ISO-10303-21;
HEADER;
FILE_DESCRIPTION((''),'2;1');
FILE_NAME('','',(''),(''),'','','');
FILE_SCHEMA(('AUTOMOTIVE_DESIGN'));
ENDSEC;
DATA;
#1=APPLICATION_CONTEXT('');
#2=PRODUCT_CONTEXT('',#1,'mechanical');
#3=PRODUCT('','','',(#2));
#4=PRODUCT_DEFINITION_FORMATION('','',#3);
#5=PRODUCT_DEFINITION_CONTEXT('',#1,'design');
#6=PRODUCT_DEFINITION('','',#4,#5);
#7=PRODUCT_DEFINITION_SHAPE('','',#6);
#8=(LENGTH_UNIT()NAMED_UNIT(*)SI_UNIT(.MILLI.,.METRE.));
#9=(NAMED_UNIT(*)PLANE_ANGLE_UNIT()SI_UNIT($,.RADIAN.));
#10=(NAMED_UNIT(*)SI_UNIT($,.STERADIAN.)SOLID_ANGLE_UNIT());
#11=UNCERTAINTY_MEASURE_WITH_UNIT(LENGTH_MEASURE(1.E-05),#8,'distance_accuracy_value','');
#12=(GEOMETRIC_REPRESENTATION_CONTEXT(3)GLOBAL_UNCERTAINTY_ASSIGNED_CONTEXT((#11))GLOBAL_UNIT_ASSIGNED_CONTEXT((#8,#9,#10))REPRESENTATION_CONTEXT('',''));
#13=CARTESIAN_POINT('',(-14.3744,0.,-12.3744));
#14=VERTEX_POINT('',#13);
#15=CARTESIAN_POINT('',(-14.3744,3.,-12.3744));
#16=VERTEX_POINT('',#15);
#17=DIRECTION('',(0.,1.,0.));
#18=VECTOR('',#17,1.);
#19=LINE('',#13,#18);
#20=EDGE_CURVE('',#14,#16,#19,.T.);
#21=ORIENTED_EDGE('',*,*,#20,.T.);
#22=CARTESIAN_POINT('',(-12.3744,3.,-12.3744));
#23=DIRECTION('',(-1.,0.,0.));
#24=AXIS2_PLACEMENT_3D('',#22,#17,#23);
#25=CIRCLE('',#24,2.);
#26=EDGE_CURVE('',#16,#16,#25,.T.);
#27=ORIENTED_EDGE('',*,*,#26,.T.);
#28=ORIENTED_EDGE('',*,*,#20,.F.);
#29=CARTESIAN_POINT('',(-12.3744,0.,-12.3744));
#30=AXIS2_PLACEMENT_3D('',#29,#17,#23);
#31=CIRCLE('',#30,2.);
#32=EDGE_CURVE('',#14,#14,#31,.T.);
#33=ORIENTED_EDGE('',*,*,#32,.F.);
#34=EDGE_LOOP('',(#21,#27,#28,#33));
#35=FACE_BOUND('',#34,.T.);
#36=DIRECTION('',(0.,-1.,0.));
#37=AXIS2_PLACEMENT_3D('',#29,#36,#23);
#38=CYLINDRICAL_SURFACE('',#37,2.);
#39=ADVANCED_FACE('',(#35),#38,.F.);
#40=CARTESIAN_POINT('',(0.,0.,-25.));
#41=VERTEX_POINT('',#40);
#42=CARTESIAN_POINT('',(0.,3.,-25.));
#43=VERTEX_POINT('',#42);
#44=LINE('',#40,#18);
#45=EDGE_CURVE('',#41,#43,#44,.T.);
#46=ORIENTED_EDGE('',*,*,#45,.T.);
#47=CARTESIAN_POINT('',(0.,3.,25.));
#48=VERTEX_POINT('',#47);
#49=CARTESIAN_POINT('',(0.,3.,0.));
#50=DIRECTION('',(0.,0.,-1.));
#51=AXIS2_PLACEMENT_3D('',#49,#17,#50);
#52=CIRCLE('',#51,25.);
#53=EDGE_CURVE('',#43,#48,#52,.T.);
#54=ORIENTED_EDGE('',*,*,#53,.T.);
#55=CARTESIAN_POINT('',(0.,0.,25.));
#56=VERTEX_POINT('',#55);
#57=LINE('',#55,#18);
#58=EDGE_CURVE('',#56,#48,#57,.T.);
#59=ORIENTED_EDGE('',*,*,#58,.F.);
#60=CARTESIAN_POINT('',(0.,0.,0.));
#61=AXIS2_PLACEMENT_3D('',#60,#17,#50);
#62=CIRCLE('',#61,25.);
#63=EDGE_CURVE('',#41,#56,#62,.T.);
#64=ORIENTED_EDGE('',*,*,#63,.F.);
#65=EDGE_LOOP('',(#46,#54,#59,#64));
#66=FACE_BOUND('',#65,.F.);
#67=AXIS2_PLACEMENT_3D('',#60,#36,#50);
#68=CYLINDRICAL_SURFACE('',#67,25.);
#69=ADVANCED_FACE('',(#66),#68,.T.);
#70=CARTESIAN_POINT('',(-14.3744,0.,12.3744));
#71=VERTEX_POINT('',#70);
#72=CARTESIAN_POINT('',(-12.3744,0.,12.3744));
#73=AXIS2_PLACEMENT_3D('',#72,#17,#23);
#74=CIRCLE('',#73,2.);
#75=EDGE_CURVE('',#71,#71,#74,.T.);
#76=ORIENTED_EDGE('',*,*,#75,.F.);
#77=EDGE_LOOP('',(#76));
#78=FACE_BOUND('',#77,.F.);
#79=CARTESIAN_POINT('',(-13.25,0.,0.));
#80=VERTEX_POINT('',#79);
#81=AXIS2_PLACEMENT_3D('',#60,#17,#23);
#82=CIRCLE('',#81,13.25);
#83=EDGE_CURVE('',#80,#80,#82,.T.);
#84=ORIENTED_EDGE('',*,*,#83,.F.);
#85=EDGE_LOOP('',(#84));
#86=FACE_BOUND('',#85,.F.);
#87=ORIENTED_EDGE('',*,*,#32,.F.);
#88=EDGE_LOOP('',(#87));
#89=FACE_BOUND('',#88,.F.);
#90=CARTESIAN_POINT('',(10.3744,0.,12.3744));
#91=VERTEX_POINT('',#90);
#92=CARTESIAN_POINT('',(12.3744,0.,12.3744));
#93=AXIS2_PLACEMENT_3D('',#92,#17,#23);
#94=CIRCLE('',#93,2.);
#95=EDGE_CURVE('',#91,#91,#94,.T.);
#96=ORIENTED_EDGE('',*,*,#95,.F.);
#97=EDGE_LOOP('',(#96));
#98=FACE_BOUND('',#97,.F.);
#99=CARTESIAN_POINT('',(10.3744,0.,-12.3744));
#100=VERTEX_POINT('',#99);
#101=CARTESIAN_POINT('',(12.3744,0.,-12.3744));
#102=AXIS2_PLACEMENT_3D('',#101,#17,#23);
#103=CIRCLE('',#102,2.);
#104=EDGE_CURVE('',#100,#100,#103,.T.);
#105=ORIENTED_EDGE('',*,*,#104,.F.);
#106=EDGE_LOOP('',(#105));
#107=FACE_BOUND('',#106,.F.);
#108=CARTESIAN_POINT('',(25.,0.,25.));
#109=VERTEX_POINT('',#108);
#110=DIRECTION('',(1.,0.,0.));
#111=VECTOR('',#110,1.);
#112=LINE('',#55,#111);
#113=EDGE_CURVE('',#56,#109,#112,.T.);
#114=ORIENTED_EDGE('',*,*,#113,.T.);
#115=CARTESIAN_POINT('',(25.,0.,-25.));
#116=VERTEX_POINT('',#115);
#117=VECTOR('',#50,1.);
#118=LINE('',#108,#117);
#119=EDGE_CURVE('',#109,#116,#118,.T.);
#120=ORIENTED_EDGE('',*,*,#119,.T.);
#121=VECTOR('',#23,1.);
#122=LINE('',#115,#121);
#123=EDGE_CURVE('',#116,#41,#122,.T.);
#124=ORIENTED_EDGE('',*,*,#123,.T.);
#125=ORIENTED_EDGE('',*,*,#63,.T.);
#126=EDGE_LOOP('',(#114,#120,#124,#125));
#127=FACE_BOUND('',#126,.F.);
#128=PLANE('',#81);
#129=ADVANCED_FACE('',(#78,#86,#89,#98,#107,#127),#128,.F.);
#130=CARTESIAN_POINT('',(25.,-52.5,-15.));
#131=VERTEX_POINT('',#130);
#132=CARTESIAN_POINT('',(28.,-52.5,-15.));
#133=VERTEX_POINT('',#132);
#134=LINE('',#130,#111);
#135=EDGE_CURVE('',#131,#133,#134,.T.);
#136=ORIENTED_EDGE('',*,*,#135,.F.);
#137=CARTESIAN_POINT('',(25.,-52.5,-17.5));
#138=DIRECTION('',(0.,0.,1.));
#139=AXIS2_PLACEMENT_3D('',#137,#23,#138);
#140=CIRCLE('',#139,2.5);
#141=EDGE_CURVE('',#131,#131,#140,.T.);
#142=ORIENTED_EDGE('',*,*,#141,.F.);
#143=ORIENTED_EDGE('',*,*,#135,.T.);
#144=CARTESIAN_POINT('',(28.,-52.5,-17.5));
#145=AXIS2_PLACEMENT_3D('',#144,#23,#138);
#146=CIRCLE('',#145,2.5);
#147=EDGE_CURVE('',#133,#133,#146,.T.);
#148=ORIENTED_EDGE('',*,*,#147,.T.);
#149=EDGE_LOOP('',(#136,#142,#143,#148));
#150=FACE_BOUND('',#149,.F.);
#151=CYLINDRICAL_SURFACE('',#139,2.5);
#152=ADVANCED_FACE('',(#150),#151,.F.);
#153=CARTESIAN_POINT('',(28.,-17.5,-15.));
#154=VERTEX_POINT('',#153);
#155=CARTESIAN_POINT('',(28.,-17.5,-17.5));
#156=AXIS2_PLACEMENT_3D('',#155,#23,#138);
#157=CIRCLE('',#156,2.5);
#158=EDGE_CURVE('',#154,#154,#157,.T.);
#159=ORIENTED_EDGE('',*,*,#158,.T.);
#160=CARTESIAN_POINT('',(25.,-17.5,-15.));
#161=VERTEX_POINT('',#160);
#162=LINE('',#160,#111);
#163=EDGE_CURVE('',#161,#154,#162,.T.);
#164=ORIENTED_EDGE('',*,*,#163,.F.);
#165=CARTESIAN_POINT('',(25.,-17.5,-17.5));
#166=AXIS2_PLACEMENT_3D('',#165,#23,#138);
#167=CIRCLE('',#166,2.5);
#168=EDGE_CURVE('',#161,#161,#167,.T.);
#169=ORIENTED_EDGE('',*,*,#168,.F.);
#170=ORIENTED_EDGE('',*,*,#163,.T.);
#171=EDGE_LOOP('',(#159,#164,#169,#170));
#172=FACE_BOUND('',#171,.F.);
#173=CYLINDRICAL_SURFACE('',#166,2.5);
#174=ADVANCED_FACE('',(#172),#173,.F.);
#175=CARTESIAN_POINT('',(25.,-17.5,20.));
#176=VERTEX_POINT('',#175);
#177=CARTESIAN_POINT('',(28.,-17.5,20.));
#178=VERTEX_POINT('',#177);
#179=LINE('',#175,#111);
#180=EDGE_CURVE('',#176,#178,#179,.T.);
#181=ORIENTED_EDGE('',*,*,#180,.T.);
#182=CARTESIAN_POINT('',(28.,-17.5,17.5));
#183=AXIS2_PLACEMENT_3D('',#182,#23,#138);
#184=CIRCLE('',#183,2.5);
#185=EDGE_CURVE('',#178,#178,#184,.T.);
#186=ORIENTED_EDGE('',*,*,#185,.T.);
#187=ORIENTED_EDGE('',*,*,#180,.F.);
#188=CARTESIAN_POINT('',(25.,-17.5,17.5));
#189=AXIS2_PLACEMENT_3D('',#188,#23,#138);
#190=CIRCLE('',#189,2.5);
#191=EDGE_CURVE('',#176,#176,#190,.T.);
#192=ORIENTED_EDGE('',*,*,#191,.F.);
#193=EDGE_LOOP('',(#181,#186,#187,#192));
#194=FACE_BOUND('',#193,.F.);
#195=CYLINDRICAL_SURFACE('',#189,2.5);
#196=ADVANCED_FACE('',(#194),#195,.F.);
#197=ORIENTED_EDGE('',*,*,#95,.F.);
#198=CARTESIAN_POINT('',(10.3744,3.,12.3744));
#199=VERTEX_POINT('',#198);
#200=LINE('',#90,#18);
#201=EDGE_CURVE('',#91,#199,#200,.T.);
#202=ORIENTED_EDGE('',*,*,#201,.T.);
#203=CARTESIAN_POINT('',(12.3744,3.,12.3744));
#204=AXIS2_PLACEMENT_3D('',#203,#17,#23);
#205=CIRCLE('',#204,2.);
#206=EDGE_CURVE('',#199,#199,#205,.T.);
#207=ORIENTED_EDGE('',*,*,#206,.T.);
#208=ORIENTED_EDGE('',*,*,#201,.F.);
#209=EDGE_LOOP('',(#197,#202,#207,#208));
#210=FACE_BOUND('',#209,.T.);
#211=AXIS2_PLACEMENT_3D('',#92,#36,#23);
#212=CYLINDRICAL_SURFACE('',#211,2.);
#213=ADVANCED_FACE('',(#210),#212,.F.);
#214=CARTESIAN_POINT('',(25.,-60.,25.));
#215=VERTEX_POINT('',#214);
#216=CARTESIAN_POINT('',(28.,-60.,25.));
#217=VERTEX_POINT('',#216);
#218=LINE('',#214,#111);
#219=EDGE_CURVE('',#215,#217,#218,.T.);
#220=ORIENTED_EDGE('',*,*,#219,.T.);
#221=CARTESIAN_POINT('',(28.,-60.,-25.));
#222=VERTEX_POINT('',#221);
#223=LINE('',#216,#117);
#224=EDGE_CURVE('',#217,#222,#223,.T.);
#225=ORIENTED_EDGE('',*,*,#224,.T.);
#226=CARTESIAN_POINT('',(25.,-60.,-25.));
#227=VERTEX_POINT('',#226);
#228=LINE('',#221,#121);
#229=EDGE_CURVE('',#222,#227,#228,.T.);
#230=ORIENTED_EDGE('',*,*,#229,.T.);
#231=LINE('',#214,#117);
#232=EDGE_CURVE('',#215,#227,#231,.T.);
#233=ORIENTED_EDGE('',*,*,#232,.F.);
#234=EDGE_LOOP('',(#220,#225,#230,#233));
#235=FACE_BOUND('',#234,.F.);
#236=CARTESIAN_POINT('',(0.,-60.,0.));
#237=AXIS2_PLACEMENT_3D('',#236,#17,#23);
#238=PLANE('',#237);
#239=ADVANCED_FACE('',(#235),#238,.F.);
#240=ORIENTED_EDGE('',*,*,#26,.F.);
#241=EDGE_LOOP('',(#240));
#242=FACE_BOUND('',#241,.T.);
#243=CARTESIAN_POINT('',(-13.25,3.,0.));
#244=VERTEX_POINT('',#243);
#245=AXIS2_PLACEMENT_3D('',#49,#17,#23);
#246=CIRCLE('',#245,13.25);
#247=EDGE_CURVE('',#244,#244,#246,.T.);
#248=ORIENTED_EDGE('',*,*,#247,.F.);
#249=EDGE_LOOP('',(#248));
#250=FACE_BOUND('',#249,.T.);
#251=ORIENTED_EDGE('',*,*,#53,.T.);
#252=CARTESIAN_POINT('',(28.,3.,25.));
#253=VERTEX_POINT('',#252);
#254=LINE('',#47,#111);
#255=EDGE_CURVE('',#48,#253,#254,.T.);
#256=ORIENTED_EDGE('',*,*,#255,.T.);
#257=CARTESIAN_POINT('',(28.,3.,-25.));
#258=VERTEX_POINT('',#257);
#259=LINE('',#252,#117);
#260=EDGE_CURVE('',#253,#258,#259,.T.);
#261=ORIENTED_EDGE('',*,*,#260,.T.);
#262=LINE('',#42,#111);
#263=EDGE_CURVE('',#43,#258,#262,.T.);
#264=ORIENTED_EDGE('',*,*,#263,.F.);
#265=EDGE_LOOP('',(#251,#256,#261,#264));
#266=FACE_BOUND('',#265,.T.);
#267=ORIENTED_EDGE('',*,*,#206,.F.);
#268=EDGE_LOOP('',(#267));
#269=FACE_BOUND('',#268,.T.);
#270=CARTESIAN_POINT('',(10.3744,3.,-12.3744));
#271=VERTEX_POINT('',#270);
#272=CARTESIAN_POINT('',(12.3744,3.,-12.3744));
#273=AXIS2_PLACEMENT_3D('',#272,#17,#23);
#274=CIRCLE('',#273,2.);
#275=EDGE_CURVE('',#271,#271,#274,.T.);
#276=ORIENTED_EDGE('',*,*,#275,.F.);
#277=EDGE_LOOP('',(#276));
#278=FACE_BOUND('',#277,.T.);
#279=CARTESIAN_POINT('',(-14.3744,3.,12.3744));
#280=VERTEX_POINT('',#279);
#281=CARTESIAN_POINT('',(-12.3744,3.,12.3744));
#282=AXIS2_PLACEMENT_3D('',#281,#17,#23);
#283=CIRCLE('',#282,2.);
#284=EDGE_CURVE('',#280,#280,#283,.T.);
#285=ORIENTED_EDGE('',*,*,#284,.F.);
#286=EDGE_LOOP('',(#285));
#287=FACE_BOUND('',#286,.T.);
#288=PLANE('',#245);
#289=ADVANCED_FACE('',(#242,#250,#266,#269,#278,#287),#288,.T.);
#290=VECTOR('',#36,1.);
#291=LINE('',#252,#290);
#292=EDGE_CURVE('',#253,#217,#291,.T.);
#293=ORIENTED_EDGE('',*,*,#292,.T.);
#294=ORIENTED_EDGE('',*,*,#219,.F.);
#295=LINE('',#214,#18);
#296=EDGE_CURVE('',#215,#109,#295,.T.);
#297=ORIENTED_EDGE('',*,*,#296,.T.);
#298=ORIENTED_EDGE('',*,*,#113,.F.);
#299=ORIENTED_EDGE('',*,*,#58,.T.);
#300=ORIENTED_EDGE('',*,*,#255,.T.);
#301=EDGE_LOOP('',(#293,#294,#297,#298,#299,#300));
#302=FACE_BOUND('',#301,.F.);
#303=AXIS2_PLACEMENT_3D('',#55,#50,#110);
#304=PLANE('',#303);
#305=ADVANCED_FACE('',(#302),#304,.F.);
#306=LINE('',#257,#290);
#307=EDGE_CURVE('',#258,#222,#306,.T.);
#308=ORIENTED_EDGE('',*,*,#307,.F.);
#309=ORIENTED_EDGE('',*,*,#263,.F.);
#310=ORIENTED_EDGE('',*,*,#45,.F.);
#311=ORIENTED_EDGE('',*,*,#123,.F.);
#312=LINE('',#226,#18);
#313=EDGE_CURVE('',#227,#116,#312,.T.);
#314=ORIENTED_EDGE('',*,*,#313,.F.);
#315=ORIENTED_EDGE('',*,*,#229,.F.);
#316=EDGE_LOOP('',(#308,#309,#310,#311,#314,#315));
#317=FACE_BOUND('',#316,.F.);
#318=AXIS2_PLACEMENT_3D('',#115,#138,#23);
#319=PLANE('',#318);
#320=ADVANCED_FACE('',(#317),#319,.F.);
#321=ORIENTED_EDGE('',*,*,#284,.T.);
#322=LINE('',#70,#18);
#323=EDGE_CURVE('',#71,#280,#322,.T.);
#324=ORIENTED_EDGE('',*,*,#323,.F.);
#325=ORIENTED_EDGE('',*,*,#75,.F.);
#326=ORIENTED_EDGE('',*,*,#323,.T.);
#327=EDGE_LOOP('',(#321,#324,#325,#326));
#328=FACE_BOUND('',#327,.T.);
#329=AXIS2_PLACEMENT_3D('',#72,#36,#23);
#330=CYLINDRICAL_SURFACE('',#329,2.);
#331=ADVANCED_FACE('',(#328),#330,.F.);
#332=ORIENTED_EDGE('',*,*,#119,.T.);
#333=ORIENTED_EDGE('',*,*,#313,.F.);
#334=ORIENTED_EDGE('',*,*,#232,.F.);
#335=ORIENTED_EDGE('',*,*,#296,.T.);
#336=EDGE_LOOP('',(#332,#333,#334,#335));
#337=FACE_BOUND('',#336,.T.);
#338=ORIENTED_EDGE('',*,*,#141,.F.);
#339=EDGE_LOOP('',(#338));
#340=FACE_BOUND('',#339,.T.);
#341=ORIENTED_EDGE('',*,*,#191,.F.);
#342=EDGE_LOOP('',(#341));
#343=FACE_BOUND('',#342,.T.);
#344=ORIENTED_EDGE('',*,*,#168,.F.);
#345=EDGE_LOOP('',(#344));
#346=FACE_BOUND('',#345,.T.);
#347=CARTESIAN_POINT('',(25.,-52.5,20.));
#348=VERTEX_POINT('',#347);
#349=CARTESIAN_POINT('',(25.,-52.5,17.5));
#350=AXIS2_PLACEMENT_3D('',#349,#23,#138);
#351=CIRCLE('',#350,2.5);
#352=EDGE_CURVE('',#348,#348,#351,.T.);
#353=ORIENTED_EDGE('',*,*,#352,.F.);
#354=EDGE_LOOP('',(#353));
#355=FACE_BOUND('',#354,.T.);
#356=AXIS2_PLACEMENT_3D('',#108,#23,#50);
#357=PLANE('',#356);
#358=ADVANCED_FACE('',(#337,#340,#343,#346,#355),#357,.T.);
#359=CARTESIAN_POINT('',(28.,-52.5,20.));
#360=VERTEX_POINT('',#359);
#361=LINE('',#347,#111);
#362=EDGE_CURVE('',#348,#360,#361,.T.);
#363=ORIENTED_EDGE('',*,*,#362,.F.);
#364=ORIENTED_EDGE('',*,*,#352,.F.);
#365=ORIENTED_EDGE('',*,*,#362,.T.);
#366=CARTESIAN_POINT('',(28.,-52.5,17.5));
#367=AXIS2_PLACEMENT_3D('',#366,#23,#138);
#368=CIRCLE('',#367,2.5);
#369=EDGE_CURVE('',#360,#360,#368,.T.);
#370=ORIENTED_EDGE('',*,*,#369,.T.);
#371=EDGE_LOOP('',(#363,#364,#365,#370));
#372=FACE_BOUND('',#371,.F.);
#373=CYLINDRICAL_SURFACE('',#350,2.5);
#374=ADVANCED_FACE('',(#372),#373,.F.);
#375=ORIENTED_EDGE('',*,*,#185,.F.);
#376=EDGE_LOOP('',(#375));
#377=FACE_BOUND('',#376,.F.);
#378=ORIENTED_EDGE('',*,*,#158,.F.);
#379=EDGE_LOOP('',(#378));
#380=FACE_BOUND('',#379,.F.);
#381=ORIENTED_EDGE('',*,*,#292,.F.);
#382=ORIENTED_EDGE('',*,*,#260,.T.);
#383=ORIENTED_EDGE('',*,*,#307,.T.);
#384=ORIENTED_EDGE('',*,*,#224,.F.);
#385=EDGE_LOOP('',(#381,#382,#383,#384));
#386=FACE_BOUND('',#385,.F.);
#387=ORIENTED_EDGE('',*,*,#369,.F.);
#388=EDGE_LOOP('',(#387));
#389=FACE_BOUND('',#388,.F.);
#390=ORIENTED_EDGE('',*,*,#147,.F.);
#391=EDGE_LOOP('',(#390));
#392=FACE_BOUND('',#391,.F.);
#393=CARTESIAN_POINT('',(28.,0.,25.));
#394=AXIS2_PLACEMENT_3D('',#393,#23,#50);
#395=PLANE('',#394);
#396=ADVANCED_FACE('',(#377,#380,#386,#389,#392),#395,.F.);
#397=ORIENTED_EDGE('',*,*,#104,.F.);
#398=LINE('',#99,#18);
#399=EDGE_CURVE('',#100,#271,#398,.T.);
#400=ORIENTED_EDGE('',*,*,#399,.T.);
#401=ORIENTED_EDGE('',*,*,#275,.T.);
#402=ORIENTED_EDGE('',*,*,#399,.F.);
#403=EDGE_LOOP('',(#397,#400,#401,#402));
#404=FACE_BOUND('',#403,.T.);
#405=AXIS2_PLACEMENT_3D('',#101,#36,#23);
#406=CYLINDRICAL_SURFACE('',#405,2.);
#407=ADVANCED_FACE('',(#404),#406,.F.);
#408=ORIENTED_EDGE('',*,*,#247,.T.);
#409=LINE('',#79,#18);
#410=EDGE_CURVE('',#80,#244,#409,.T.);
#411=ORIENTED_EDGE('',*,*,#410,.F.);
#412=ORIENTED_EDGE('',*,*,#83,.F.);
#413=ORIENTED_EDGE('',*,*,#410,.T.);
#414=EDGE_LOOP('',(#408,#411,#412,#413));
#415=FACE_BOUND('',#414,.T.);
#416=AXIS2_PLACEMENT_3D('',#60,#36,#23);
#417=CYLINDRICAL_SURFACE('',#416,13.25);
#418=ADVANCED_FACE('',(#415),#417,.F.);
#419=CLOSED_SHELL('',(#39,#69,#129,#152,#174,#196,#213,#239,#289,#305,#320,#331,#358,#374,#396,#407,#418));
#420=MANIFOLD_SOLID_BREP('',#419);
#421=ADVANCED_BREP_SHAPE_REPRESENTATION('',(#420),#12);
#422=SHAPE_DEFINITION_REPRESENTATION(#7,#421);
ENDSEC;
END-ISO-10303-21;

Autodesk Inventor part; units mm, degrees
ref_plane "YZ Plane" through (0, 0, 0) normal (1, 0, 0) x (0, 1, 0)
ref_plane "XZ Plane" through (0, 0, 0) normal (0, 1, 0) x (-1, 0, 0)
ref_plane "XY Plane" through (0, 0, 0) normal (0, 0, 1) x (1, 0, 0)
sketch "Sketch1" plane through (0, 0, 0) normal (0, 1, 0) x (-1, 0, 0)
  circle A0 centre (0, 0) radius 13.25
  line L0 (0, 0) -> (12.3744, 12.3744) construction
  line L1 (0, 0) -> (17.5, 0) construction
  line L2 (0, 0) -> (-12.3744, -12.3744) construction
  line L3 (0, 0) -> (17.5, 0) construction
  circle A1 centre (-12.3744, -12.3744) radius 2
  circle A2 centre (12.3744, 12.3744) radius 2
  circle A3 centre (12.3744, -12.3744) radius 2
  circle A4 centre (-12.3744, 12.3744) radius 2
  circle A5 centre (0, 0) radius 17.5 construction
  arc A6 (0, -25) -> (0, 25) centre (0, 0) ccw
  line L4 (0, 25) -> (-25, 25)
  line L5 (-25, 25) -> (-25, -25)
  line L6 (-25, -25) -> (0, -25)
  line L7 (-25, 25) -> (-28, 25)
  line L8 (-28, 25) -> (-28, -25)
  line L9 (-28, -25) -> (-25, -25)
  line L10 (-25, -25) -> (-25, 25)
  dimension "d0" = 26.5
  dimension "d1" = 17.5
  dimension "d2" = 45
  dimension "d3" = 17.5
  dimension "d4" = 135
  dimension "d5" = 4
  dimension "d6" = 4
  dimension "d7" = 50
  dimension "d10" = 3
extrude "Extrusion1" add sketch "Sketch1" along normal blind 3 contours L6 L5 L4 A6
extrude "Extrusion2" add sketch "Sketch1" along normal blind 3 and the other way blind 60 contours L9 L8 L7 L5
sketch "Sketch2" plane through (25, 0, -25) normal (-1, 0, 0) x (0, 0, 1)
  line L0 (50, -60) -> (50, 0) construction
  line L1 (0, -10) -> (50, -60) construction
  line L2 (7.5, -17.5) -> (42.5, -17.5) construction
  line L3 (42.5, -17.5) -> (42.5, -52.5) construction
  line L4 (42.5, -52.5) -> (7.5, -52.5) construction
  line L5 (7.5, -52.5) -> (7.5, -17.5) construction
  line L6 (7.5, -17.5) -> (42.5, -52.5) construction
  line L7 (42.5, -17.5) -> (7.5, -52.5) construction
  circle A0 centre (7.5, -17.5) radius 2.5
  circle A1 centre (42.5, -17.5) radius 2.5
  circle A2 centre (42.5, -52.5) radius 2.5
  circle A3 centre (7.5, -52.5) radius 2.5
  point P0 (25, 0)
  point P1 (25, -35)
  dimension "d15" = 35
  dimension "d16" = 35
  dimension "d17" = 5
extrude "Extrusion3" cut sketch "Sketch2" against normal blind 5
properties part number "Foundation-Motor-Mount" material "Steel, Mild"
